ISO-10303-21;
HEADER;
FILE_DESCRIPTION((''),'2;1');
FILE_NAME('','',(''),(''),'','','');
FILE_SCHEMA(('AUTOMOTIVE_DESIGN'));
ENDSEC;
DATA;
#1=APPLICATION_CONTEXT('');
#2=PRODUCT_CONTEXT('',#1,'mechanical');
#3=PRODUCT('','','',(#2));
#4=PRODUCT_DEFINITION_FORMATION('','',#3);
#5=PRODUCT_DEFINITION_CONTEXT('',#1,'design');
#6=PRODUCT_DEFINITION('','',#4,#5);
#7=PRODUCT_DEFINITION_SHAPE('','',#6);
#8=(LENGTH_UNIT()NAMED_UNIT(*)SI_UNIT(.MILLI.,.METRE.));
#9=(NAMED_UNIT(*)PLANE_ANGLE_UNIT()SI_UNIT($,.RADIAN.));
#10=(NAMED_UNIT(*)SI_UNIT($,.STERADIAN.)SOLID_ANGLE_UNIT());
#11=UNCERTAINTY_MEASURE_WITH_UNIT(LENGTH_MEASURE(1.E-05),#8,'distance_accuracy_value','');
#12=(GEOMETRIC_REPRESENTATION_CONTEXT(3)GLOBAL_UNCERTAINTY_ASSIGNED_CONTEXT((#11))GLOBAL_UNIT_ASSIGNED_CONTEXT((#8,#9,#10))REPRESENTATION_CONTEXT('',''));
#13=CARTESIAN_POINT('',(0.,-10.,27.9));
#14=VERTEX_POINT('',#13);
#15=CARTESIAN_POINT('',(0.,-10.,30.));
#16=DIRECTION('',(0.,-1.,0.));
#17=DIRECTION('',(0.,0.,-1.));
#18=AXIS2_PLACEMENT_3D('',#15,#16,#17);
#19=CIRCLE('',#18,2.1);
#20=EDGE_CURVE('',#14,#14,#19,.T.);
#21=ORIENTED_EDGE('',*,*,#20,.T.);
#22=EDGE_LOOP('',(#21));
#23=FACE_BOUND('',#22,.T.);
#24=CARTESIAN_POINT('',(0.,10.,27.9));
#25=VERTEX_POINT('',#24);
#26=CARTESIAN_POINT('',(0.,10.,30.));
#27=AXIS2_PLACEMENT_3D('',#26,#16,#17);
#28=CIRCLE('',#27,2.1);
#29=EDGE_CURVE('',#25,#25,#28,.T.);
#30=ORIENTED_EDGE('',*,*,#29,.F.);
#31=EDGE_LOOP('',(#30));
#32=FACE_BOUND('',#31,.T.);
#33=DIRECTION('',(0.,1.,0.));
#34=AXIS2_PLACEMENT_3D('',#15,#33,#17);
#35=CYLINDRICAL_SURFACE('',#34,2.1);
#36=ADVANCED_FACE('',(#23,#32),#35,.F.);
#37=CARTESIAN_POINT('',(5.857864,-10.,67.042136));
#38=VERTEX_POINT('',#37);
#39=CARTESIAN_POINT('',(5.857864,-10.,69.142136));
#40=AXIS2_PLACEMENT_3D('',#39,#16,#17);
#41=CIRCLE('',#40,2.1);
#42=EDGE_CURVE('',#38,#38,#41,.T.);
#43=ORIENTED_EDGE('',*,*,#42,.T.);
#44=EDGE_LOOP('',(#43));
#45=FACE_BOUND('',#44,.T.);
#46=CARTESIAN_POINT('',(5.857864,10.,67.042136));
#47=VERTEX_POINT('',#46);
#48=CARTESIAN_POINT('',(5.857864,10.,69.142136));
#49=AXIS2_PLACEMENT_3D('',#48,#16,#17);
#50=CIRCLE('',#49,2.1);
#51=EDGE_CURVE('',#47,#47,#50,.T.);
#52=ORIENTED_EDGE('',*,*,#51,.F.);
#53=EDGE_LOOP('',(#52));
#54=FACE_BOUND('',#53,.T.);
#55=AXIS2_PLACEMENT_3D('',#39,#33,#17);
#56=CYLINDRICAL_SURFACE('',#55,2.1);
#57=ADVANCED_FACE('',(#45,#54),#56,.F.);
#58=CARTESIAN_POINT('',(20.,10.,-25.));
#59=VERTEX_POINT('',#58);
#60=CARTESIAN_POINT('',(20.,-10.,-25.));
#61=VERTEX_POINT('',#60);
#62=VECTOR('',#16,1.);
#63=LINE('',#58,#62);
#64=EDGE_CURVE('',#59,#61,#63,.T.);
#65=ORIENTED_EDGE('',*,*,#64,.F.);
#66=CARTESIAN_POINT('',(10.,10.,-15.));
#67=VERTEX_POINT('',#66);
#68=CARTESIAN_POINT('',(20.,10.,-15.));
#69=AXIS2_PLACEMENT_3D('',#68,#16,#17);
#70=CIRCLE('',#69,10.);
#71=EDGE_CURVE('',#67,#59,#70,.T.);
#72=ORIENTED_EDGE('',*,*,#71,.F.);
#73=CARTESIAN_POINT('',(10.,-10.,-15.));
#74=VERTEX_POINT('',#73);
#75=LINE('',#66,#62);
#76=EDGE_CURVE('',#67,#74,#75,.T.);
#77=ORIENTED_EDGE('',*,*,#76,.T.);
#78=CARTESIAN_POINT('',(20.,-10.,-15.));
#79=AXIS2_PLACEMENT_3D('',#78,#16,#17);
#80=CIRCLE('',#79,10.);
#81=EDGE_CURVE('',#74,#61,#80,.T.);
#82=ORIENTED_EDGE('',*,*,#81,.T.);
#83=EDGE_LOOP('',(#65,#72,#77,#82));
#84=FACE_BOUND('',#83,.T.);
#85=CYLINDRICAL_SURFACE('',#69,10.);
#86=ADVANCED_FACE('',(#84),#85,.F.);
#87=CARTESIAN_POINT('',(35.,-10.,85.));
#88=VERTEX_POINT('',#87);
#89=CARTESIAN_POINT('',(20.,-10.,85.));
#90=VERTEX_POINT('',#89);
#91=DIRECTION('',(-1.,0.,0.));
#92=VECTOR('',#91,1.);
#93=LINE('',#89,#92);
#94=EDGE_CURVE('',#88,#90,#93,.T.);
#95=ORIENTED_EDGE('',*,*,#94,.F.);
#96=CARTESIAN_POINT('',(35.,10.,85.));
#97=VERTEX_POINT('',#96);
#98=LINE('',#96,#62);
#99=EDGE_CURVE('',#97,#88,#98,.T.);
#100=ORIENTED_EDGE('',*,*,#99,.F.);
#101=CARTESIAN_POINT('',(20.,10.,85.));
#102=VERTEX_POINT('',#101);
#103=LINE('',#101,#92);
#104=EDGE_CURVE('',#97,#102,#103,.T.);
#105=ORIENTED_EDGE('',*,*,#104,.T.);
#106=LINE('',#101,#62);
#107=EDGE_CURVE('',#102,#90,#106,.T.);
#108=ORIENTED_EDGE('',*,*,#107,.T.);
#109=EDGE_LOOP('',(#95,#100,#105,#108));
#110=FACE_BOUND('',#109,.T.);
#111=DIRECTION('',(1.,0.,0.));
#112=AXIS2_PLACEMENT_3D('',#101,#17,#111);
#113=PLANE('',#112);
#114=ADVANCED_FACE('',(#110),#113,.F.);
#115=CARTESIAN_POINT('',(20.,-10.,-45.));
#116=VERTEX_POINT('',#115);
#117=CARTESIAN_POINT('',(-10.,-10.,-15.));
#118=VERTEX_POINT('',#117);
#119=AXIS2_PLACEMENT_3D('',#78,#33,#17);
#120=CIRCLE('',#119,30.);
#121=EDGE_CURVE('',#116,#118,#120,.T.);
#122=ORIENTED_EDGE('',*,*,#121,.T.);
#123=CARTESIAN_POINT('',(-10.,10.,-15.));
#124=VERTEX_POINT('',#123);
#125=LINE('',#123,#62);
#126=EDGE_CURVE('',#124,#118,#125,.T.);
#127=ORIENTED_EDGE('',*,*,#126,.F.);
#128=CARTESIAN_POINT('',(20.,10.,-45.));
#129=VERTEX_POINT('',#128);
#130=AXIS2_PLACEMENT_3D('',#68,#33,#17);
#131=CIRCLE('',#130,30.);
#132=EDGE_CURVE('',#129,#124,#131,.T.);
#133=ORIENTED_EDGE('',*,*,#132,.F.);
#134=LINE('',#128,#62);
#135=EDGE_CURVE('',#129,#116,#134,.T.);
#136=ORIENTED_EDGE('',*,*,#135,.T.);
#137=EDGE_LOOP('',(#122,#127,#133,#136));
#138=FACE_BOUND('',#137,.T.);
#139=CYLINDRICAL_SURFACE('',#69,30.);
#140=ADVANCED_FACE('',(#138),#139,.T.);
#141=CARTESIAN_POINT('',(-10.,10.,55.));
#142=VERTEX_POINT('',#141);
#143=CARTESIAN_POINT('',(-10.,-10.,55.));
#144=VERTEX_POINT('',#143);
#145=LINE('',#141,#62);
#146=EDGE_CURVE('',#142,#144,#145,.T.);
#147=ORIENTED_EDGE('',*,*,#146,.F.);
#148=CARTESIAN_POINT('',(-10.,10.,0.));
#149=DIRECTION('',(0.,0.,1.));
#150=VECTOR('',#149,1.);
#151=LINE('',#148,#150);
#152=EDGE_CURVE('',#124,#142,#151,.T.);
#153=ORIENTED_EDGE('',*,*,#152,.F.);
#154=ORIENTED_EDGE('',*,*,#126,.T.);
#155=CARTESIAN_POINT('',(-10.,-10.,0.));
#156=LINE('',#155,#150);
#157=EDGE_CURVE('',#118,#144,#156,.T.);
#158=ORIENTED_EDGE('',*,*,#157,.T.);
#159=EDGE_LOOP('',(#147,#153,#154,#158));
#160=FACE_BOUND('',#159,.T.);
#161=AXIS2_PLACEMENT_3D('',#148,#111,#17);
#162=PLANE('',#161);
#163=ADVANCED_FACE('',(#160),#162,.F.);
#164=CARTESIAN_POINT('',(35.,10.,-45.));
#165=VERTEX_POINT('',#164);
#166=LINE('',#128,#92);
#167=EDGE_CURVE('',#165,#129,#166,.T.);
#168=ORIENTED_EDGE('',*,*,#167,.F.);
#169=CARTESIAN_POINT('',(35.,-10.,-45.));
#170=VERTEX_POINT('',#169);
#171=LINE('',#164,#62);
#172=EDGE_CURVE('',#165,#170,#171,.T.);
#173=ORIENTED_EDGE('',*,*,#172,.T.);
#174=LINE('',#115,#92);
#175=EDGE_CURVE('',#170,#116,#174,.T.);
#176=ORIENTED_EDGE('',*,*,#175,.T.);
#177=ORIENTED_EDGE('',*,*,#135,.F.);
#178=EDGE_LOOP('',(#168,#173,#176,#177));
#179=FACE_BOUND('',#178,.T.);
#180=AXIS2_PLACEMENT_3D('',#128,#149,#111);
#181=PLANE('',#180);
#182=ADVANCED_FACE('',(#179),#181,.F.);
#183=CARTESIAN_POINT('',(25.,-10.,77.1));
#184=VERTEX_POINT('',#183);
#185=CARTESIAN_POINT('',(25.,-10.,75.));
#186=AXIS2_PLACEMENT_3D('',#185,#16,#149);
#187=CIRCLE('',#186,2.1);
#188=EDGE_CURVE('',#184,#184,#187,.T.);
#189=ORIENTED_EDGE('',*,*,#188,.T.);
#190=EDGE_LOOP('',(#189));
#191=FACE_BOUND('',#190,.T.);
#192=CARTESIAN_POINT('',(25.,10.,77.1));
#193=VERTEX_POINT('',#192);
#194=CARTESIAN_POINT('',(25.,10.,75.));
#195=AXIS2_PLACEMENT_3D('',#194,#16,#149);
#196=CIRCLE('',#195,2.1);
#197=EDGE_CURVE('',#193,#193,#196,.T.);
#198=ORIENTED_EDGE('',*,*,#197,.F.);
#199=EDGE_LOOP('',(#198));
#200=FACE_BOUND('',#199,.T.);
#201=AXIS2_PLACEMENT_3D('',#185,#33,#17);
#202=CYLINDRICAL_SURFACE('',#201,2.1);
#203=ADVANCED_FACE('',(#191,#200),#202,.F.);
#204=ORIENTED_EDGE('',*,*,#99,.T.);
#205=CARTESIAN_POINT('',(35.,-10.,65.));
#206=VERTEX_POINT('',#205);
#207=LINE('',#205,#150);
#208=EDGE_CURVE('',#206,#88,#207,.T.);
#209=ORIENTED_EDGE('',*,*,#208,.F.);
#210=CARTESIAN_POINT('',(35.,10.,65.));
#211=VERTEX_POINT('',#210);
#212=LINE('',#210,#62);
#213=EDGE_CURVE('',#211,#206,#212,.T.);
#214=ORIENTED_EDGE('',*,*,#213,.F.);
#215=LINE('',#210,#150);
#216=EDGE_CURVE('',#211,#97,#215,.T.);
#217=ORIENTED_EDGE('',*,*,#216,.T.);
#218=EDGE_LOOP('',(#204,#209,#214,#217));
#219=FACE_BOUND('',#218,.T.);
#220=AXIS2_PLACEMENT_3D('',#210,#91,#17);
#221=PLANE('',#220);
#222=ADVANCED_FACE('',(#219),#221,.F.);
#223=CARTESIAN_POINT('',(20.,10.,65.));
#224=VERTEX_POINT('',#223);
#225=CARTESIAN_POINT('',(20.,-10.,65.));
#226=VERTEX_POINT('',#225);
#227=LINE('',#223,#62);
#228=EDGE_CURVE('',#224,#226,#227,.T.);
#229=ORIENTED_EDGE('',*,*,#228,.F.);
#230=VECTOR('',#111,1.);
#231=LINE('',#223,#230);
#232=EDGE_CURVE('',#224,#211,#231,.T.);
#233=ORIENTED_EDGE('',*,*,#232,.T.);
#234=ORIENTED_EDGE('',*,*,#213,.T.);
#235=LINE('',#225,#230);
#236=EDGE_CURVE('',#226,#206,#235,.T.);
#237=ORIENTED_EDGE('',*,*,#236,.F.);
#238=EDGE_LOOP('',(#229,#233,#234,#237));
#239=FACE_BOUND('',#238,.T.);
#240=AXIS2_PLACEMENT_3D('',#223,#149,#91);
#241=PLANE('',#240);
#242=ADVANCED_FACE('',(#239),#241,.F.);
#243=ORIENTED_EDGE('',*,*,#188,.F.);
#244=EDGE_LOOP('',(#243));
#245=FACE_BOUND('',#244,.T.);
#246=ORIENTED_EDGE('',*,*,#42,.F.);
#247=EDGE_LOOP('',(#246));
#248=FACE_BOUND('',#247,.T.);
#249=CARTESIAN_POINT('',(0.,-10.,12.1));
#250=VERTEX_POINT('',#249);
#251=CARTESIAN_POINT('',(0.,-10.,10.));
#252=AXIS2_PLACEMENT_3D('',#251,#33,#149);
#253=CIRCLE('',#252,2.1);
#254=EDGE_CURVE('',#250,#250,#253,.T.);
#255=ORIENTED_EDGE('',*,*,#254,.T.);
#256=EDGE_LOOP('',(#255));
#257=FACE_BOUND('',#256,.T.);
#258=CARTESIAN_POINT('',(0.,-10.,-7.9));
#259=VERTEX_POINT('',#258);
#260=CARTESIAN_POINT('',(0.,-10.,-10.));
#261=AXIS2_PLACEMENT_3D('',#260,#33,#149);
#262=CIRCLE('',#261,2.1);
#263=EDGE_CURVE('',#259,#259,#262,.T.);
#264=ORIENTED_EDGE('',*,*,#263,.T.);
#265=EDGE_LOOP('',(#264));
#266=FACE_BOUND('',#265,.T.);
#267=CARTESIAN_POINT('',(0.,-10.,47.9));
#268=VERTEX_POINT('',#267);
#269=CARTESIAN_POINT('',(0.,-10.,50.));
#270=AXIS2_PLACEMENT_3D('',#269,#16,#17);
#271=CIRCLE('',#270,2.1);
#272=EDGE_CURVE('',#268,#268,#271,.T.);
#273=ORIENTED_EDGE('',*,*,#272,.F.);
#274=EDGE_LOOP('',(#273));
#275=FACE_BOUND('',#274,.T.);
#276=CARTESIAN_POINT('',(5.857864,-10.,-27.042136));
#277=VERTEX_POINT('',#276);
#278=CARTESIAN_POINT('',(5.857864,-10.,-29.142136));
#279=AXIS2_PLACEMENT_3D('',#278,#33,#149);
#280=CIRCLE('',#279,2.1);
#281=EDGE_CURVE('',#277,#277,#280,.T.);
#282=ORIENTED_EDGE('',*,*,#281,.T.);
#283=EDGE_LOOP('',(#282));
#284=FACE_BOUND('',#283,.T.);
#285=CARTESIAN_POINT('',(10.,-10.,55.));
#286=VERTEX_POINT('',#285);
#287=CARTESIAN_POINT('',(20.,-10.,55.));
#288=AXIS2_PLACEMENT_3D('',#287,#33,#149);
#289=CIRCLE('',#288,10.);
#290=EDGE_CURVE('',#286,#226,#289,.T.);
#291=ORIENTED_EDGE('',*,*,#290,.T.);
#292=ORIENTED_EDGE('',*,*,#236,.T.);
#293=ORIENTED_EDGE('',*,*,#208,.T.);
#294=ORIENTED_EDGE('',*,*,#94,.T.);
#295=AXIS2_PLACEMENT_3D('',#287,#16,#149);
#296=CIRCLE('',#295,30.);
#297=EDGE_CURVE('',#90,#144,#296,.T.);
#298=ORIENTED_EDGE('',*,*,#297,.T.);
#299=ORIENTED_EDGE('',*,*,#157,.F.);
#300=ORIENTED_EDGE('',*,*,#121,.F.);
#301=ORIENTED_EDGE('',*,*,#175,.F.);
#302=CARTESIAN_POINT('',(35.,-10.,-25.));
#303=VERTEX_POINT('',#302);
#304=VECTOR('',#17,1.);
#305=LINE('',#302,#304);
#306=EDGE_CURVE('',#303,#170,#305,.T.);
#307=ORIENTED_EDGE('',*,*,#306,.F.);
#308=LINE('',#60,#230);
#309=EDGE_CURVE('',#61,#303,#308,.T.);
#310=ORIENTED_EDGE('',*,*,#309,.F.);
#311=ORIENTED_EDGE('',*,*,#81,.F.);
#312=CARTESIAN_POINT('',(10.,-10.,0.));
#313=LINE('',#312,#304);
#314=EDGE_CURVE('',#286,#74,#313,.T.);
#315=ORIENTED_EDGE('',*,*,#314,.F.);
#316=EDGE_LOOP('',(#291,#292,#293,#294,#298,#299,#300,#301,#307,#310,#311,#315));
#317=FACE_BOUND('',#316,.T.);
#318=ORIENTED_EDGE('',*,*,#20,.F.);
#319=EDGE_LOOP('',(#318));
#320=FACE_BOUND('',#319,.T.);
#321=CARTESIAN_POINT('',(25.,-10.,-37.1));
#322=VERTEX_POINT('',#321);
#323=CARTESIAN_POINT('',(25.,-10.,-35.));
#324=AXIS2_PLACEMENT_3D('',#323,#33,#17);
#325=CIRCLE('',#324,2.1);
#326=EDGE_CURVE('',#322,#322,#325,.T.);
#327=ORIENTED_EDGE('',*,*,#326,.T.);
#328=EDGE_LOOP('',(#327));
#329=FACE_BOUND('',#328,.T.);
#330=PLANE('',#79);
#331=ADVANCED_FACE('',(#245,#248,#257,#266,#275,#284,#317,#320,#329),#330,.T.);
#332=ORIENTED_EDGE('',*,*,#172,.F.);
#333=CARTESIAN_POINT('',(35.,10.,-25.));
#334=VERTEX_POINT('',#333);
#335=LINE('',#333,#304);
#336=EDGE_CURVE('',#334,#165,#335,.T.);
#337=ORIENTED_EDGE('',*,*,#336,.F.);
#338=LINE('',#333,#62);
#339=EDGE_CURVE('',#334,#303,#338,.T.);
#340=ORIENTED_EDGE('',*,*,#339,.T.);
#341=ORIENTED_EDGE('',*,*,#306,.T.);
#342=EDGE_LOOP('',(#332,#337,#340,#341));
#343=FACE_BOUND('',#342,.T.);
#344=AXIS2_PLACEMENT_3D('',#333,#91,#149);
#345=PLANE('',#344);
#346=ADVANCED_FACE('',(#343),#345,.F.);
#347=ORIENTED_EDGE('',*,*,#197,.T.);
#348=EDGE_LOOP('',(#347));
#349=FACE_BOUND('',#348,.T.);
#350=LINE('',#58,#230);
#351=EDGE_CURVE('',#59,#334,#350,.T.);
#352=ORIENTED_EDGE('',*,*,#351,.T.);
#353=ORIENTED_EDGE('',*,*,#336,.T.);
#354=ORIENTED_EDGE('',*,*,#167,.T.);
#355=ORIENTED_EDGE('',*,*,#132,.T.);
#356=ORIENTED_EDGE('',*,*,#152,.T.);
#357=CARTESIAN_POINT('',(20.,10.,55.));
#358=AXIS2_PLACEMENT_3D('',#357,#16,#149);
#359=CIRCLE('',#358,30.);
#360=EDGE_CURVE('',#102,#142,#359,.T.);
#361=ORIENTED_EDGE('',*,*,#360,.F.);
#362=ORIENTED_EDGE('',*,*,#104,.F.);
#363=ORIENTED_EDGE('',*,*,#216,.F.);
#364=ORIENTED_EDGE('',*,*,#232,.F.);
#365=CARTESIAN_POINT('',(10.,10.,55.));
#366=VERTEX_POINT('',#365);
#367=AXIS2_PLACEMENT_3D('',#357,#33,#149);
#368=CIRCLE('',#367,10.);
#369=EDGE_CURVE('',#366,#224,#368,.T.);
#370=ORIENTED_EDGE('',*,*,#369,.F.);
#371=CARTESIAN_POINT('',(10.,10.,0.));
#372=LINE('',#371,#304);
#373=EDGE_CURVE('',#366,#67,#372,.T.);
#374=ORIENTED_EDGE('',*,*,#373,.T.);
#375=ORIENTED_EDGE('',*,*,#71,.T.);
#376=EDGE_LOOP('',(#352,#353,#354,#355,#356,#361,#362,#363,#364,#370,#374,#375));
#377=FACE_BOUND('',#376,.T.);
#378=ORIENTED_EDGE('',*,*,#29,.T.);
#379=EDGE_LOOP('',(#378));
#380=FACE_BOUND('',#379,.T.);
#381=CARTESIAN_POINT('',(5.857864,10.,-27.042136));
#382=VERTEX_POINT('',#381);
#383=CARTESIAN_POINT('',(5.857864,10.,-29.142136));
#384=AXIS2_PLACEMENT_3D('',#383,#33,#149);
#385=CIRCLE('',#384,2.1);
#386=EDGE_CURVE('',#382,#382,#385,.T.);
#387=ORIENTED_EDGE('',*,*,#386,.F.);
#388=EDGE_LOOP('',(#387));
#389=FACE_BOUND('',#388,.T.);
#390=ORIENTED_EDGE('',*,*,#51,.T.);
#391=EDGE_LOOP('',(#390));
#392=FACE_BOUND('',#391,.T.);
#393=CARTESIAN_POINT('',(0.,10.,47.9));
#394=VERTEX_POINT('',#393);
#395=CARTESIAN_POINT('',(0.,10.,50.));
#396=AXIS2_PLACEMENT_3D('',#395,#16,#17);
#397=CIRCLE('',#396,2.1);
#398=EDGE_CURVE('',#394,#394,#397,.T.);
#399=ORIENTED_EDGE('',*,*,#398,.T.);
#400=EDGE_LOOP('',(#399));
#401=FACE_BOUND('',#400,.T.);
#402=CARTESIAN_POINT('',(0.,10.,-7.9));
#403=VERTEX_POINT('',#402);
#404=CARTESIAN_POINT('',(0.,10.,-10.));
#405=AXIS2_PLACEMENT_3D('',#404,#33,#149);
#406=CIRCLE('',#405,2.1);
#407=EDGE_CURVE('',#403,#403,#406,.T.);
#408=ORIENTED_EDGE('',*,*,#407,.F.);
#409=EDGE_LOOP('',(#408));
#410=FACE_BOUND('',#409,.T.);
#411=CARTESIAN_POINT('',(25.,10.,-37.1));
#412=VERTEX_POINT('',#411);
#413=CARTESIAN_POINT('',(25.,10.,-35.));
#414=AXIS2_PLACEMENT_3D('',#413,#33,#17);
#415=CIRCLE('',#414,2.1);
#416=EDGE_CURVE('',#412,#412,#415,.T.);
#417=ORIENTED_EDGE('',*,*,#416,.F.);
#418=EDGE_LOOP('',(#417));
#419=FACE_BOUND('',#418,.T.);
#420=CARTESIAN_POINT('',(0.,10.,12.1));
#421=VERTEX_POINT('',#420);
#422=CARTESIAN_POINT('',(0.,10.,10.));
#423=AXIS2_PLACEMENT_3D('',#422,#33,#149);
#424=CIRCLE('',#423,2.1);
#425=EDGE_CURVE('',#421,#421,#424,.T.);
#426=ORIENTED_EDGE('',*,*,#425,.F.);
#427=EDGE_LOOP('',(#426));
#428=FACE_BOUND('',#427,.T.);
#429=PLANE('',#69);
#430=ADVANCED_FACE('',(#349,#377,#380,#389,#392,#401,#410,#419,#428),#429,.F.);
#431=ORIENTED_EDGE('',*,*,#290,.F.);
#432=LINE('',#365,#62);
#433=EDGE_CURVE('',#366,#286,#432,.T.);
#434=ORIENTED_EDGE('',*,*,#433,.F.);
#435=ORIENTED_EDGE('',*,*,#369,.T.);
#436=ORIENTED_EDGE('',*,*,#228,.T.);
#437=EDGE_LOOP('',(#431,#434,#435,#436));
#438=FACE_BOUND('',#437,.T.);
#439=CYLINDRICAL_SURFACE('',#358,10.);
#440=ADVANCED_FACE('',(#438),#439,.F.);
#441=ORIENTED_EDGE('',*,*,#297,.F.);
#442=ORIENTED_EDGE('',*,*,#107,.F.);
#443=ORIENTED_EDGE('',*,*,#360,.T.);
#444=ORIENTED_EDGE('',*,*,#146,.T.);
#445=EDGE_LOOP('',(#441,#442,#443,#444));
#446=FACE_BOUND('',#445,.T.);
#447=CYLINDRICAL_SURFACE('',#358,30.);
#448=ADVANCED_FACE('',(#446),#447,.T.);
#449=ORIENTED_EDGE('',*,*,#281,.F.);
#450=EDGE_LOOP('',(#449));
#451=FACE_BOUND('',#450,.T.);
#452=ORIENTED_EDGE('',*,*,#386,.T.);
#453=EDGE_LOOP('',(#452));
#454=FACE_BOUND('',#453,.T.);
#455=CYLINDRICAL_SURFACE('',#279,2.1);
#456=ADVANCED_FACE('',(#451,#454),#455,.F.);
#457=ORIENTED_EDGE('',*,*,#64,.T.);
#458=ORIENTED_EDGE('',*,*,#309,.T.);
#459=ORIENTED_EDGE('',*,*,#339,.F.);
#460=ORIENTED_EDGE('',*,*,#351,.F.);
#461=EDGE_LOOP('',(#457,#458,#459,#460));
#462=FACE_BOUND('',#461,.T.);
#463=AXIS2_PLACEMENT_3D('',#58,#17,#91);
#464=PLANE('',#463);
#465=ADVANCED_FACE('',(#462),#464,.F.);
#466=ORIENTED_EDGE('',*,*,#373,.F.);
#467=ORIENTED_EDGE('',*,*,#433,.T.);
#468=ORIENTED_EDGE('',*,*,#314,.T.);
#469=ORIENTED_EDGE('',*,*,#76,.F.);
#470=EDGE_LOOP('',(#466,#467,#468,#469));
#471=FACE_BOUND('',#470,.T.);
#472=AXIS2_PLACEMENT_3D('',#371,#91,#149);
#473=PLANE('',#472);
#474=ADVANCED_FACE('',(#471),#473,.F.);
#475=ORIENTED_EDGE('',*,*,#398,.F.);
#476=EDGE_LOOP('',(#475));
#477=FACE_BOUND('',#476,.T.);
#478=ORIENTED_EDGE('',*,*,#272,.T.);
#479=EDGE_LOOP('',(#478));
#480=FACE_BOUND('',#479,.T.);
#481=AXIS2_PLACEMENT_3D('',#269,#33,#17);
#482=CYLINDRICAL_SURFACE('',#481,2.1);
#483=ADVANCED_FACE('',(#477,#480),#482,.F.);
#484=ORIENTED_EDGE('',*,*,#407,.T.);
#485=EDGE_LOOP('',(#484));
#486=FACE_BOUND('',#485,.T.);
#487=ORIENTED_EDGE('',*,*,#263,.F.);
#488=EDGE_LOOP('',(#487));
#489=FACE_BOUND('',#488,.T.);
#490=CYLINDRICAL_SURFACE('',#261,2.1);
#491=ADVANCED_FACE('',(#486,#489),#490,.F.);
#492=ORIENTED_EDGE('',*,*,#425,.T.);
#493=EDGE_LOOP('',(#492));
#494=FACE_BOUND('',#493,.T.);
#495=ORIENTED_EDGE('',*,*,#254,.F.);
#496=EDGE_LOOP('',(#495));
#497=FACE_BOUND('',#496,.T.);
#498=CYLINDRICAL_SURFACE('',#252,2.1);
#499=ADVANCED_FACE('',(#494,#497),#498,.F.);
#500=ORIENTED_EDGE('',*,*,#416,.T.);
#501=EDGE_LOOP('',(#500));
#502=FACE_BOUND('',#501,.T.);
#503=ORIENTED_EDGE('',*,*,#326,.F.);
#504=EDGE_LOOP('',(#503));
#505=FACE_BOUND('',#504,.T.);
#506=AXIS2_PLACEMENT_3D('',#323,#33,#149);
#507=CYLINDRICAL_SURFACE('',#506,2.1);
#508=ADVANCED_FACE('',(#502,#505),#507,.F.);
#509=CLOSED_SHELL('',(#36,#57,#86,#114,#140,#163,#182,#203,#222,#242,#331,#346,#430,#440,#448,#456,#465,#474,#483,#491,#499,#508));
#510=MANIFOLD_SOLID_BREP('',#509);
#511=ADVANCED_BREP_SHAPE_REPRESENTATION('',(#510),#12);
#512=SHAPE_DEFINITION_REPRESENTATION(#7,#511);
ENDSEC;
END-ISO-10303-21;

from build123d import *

# Parameters (mm, degrees)
BOSS_EXTRUDE1_DEPTH = 10
SKETCH3_W           = 20
SKETCH3_H           = 20
BOSS_EXTRUDE2_DEPTH = 20
SKETCH2_R           = 2.1
CUT_EXTRUDE1_DEPTH  = 61.415229868


with BuildPart() as part:
    # Sketch1 → Boss-Extrude1 (new, symmetric)
    with BuildSketch(Plane(origin=(0, 0, 0), x_dir=(1, 0, 0), z_dir=(0, 1, 0))):
        with BuildLine():
            Line((10, 0), (10, 15))
            ThreePointArc((10, 15), (12.928932188, 22.071067812), (20, 25))
            Line((20, 25), (35, 25))
            Line((35, 25), (35, 45))
            Line((35, 45), (20, 45))
            ThreePointArc((20, 45), (-1.213203436, 36.213203436), (-10, 15))
            Line((-10, 15), (-10, 0))
            Line((-10, 0), (10, 0))
        make_face()
    extrude(amount=BOSS_EXTRUDE1_DEPTH, both=True)

    # Sketch3 → Boss-Extrude2 (add)
    with BuildSketch(Plane(origin=(0, 10, 0), x_dir=(1, 0, 0), z_dir=(0, 1, 0))):
        with Locations((0, -10)):
            Rectangle(SKETCH3_W, SKETCH3_H)
    extrude(amount=-BOSS_EXTRUDE2_DEPTH)

    # Sketch2 → Cut-Extrude1 (cut, through all)
    with BuildSketch(Plane(origin=(0, 10, 0), x_dir=(1, 0, 0), z_dir=(0, 1, 0))):
        with Locations(Location((5.857864376, 29.142135624, 0), (0, 0, 270))):
            Circle(SKETCH2_R)
        with Locations(Location((0, 10, 0), (0, 0, 270))):
            Circle(SKETCH2_R)
        with Locations(Location((25, 35, 0), (0, 0, 90))):
            Circle(SKETCH2_R)
        with Locations(Location((0, -10, 0), (0, 0, 270))):
            Circle(SKETCH2_R)
    extrude(amount=-CUT_EXTRUDE1_DEPTH, mode=Mode.SUBTRACT)

    # Mirror1: part across plane


with BuildPart() as part_1:
    add(part.part)
    add(part.part.mirror(Plane(origin=(10, -38.284271247, 20), x_dir=(1, 0, 0), z_dir=(0, 0, 1))))


solid = part_1.part
